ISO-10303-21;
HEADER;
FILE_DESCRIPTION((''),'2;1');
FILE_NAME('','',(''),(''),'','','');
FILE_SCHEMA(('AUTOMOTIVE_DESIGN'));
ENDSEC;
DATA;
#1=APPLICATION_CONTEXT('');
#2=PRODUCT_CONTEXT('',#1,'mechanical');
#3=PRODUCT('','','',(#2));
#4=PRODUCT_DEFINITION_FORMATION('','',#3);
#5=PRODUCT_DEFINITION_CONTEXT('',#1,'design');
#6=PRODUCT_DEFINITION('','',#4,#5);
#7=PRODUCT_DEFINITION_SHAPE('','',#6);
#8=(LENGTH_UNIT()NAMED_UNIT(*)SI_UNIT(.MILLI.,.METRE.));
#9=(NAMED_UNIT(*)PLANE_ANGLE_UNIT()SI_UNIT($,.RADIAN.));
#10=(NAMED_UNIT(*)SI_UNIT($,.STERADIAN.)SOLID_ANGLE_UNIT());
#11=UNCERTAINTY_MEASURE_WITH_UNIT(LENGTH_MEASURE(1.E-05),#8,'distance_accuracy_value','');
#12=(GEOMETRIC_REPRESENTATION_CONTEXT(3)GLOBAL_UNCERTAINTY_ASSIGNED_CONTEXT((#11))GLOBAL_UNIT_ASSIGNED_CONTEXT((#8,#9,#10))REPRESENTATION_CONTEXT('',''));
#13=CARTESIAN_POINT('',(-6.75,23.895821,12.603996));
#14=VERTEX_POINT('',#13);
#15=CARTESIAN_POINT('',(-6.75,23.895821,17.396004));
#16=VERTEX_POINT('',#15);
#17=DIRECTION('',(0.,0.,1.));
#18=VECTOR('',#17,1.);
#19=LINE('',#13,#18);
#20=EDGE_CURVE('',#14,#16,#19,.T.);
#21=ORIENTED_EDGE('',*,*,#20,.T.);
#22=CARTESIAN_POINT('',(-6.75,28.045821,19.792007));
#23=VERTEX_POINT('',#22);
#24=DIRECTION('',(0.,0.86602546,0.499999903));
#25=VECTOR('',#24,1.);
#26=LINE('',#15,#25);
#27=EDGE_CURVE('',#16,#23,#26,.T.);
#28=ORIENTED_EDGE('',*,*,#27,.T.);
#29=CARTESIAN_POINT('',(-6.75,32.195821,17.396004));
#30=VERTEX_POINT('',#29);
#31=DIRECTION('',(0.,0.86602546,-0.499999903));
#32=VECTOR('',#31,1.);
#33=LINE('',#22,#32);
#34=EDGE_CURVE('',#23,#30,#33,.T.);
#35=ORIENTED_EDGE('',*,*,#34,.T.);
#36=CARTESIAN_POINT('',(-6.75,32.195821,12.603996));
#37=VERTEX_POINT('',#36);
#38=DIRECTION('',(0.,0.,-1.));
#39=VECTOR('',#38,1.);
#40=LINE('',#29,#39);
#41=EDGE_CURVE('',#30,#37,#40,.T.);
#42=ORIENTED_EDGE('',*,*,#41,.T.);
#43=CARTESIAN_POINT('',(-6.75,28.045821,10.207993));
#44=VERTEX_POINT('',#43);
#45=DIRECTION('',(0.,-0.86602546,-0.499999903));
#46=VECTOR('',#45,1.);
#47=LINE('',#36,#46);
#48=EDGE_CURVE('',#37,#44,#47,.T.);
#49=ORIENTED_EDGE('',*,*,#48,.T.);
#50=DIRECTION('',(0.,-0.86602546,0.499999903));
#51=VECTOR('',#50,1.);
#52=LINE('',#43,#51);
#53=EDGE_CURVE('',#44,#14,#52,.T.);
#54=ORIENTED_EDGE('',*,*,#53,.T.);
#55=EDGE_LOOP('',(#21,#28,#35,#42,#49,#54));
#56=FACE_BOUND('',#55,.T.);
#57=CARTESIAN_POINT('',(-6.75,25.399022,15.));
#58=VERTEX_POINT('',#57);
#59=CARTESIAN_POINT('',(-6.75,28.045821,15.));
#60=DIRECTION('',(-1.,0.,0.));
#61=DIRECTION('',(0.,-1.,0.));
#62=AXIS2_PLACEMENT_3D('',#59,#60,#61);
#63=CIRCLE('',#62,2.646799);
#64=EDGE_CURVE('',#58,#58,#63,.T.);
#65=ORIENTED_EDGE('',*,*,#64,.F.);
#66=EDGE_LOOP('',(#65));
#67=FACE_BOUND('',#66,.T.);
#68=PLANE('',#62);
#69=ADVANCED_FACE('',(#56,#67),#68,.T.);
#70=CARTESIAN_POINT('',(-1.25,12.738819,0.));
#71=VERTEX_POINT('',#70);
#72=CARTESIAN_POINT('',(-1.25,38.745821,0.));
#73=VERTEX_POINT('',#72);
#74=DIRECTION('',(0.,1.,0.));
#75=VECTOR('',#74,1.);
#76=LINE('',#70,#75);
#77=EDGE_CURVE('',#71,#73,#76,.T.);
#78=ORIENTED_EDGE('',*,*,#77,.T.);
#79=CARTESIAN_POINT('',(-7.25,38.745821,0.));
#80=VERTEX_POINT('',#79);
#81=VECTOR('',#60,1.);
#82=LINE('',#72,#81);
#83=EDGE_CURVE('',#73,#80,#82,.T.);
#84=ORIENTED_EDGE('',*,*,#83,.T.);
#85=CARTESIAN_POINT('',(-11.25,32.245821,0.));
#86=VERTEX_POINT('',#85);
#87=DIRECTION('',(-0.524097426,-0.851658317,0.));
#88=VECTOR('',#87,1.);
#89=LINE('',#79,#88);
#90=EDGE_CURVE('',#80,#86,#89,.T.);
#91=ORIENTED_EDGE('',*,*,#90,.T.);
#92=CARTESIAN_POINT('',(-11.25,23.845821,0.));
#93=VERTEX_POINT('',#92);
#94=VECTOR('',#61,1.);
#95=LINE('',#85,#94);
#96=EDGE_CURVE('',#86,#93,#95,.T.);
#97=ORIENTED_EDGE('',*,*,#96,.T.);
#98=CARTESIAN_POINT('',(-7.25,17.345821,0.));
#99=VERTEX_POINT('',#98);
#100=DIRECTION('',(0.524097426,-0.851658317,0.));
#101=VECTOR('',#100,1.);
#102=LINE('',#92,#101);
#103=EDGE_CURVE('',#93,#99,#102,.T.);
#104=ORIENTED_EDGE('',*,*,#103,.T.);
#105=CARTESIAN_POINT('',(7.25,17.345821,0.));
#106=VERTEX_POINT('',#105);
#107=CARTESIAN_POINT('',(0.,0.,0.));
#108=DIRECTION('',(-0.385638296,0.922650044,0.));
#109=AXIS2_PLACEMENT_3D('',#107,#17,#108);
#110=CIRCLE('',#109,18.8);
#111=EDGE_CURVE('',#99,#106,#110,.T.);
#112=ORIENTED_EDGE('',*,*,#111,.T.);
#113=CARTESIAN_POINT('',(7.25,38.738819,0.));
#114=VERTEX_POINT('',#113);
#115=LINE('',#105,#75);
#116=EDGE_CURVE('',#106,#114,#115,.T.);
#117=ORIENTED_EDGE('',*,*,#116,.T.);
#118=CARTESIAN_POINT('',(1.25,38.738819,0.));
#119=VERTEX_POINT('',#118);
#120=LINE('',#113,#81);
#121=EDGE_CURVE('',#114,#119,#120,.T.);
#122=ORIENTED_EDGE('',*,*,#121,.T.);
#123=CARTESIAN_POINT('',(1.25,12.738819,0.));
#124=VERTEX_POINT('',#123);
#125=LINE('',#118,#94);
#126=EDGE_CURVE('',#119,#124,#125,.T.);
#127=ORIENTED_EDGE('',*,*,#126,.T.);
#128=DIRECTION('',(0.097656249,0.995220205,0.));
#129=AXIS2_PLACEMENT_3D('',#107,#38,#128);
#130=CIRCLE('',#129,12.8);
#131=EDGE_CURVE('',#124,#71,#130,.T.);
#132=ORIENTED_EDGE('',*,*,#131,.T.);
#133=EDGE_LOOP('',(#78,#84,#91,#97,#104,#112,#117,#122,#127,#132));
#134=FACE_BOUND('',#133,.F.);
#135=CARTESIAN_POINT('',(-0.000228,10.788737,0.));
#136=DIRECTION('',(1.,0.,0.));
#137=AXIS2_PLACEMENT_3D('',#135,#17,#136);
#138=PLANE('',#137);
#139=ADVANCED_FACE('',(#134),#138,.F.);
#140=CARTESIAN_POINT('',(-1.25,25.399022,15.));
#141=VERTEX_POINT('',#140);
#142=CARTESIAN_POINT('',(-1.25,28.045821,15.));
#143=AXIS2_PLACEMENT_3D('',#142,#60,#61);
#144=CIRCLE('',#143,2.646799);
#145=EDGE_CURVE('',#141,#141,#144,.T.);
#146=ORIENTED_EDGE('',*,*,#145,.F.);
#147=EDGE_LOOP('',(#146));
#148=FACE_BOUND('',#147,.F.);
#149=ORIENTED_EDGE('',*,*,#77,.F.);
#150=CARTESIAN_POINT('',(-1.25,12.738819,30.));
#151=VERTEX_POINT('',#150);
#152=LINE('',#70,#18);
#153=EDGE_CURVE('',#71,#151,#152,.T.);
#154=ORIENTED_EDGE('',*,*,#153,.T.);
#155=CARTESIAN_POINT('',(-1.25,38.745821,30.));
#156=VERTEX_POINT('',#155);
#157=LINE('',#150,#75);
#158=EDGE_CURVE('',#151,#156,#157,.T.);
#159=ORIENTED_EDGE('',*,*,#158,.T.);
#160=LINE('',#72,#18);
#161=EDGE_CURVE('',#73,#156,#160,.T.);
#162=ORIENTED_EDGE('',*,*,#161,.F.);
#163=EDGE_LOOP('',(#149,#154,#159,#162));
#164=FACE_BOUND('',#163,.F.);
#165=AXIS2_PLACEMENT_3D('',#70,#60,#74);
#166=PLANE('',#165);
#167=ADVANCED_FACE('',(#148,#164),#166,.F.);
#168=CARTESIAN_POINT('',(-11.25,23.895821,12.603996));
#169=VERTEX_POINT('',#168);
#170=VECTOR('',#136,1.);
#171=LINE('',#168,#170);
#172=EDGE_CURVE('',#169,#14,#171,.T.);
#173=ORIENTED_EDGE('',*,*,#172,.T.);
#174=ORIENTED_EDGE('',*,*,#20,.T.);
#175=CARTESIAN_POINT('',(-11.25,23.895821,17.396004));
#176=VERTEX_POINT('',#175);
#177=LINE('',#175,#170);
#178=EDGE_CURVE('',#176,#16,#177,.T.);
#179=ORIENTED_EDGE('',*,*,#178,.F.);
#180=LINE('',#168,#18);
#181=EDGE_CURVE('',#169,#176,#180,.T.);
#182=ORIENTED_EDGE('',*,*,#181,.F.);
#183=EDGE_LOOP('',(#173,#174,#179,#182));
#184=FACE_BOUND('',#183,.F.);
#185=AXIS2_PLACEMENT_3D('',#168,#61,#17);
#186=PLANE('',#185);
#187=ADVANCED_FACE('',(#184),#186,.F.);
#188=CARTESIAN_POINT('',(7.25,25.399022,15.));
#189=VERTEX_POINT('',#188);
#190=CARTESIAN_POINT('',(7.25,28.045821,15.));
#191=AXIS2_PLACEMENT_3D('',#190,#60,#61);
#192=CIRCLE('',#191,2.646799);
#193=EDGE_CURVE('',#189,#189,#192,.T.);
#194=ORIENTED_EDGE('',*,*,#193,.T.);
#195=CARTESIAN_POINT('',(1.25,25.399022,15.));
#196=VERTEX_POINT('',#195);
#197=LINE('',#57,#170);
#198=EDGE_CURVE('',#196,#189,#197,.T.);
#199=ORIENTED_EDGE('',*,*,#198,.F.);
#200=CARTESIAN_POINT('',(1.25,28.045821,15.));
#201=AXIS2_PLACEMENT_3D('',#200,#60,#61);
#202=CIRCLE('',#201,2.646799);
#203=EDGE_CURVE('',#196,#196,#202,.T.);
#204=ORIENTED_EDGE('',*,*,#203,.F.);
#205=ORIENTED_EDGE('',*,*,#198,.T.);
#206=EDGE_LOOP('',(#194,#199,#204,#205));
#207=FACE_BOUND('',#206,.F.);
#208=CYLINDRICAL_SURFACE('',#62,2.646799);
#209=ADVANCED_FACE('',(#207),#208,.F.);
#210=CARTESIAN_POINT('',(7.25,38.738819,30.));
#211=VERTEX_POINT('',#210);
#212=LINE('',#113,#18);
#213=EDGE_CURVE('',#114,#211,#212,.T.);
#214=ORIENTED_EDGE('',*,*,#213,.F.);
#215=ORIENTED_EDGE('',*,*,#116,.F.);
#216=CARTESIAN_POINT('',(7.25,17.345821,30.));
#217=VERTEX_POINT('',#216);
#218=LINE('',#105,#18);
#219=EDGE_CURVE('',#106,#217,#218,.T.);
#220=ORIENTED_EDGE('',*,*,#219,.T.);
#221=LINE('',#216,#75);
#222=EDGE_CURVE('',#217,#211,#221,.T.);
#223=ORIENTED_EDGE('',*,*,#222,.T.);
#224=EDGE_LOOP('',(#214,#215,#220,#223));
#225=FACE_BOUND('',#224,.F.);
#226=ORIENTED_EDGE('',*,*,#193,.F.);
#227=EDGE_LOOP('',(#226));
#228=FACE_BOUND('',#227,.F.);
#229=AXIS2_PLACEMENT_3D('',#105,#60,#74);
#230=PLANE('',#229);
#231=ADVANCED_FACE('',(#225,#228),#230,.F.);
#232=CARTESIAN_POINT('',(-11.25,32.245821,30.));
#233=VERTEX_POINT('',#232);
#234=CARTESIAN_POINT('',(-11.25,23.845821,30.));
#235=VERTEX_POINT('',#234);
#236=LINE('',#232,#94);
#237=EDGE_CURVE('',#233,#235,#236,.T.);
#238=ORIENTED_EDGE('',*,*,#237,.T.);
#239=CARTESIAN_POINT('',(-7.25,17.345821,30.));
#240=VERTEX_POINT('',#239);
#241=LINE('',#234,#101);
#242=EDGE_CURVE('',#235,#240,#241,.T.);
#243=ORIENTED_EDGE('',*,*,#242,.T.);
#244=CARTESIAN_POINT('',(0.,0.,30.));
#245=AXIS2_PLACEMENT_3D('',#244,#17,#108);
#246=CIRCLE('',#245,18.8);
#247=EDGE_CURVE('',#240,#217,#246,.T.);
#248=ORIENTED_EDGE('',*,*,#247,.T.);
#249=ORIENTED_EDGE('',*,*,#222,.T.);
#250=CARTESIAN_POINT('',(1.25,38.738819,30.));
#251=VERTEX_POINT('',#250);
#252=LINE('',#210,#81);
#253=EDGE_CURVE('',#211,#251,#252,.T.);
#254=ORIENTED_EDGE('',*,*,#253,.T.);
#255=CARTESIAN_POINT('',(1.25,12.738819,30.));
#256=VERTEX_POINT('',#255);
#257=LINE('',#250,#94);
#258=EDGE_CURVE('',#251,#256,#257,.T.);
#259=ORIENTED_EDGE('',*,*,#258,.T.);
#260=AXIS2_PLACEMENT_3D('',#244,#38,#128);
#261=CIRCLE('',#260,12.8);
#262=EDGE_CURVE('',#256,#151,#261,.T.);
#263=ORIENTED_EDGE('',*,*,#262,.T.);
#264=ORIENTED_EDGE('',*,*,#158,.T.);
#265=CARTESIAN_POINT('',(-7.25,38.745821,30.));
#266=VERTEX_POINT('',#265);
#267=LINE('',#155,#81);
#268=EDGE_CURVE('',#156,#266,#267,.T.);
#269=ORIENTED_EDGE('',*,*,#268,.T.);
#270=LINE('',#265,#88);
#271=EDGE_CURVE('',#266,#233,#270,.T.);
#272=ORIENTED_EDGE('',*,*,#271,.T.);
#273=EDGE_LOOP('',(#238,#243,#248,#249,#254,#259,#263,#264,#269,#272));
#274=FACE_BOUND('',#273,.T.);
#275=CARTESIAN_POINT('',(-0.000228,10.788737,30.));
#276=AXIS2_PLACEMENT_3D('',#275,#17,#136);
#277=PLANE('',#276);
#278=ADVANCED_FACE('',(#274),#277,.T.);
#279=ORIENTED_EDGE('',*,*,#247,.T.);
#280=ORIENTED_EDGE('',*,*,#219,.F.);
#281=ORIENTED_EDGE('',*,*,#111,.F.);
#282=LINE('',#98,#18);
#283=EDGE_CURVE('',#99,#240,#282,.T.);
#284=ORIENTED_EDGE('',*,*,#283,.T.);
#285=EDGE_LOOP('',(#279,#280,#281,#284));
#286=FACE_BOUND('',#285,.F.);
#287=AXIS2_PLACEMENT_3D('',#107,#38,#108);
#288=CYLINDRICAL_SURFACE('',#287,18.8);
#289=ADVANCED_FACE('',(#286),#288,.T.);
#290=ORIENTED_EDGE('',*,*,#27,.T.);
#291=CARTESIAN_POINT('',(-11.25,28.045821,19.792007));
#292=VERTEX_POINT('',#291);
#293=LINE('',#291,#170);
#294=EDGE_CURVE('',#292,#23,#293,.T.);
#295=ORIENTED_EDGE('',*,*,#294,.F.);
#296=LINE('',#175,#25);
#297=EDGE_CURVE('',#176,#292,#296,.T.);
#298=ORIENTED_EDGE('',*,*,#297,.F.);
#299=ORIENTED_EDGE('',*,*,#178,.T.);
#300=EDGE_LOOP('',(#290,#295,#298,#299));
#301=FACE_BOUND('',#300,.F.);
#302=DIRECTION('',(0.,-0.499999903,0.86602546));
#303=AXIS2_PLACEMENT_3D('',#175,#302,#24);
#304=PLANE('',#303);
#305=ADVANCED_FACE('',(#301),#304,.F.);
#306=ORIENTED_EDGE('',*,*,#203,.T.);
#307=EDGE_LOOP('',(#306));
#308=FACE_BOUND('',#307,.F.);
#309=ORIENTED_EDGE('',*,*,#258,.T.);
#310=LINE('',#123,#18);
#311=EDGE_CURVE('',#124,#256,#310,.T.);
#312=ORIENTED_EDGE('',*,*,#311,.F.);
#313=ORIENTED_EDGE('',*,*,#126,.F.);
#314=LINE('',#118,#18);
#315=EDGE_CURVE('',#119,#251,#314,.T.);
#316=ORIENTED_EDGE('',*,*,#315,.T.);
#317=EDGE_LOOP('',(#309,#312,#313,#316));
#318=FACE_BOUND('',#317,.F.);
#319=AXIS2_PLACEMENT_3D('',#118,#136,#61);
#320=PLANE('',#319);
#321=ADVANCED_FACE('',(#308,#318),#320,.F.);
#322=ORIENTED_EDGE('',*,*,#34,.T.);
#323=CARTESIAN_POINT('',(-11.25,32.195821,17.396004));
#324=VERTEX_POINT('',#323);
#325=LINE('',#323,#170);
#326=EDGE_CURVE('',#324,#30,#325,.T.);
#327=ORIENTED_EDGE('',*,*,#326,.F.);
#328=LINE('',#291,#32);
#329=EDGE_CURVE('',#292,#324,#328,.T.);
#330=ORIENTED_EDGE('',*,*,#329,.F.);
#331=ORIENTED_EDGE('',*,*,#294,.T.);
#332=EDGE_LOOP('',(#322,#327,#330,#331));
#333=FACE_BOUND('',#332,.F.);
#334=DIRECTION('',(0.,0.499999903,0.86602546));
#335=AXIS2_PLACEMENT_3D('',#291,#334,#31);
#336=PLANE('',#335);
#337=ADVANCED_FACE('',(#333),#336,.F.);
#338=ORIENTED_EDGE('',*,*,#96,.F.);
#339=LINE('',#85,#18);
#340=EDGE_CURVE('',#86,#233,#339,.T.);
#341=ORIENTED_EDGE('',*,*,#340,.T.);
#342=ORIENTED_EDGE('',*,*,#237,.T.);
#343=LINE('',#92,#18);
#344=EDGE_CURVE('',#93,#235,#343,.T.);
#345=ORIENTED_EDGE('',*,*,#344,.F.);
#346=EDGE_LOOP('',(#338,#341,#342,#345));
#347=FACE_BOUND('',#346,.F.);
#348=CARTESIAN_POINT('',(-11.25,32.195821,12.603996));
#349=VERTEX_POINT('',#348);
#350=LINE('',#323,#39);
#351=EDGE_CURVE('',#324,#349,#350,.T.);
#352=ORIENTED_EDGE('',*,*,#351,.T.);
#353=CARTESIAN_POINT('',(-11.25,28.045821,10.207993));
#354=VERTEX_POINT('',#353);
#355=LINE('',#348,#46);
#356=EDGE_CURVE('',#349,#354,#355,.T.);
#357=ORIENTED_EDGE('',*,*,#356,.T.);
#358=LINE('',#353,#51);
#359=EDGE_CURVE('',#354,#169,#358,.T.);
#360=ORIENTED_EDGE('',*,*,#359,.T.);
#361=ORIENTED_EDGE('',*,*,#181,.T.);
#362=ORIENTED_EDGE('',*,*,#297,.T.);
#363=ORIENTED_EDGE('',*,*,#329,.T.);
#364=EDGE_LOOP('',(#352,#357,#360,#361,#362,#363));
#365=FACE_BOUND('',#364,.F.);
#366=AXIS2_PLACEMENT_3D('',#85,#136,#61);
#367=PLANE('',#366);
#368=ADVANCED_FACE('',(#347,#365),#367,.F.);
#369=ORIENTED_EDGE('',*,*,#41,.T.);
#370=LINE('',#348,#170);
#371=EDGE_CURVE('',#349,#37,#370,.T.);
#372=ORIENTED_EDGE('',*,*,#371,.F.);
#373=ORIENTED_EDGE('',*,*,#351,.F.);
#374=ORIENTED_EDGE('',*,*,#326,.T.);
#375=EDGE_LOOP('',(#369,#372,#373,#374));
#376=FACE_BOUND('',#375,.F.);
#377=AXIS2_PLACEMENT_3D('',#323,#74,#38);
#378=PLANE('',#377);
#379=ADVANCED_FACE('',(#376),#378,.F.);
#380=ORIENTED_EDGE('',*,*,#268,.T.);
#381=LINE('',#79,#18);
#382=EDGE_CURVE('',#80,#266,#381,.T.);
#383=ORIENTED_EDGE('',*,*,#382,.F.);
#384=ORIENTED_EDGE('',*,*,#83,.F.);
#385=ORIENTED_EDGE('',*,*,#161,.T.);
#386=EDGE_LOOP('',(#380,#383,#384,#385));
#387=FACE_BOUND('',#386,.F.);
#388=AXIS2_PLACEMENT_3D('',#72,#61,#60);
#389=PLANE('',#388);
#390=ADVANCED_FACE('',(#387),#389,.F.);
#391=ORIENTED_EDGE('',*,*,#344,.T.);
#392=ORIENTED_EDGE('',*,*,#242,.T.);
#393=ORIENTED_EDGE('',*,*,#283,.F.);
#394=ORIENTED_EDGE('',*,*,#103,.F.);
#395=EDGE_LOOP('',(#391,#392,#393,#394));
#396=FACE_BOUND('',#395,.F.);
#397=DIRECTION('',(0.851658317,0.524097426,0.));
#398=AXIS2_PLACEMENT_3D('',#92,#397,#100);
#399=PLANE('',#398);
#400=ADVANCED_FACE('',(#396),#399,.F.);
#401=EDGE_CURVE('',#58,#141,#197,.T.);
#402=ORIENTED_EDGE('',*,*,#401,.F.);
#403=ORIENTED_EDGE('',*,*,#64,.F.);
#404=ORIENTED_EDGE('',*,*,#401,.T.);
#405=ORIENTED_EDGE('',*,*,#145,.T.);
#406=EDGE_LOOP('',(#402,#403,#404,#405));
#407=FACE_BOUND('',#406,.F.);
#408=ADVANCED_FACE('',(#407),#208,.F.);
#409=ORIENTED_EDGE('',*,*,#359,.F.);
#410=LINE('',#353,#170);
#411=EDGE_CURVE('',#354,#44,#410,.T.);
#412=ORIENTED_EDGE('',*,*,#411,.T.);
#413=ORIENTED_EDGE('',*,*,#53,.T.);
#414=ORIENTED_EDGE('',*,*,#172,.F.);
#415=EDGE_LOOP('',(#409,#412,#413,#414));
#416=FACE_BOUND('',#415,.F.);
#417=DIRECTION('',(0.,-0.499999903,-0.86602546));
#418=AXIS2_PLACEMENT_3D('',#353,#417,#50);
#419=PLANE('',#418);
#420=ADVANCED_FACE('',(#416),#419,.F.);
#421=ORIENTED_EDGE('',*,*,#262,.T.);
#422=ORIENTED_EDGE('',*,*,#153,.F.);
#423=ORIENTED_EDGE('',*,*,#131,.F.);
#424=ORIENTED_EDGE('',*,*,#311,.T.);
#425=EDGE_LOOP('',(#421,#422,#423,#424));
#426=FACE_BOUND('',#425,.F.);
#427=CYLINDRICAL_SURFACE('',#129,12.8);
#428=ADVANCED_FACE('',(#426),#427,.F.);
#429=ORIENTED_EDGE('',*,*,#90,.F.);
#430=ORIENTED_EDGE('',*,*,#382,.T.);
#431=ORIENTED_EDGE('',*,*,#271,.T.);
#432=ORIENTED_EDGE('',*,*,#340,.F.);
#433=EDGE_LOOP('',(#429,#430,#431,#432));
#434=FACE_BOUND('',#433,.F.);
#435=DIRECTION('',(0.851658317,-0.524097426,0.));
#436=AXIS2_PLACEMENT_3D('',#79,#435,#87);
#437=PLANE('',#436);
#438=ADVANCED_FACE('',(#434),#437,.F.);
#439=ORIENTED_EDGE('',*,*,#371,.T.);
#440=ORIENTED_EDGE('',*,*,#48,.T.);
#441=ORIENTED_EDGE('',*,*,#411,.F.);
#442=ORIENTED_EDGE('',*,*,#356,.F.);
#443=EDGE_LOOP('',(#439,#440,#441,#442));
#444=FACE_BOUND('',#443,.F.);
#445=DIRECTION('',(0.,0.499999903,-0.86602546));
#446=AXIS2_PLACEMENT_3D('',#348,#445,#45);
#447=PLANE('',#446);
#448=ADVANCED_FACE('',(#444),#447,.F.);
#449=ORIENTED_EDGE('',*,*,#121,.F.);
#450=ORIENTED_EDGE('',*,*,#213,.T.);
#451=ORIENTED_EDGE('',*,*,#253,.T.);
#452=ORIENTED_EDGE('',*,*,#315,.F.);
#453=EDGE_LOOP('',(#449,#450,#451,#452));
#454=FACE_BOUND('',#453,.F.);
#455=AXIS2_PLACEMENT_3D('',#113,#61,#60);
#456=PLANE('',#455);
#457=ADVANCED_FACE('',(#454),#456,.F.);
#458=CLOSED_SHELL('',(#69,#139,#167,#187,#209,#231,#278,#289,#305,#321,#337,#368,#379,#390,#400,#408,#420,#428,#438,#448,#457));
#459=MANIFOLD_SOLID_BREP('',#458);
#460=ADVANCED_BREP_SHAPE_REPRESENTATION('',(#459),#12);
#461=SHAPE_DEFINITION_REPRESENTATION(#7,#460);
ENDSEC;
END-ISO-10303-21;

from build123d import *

# Parameters (mm, degrees)
F1_DEPTH = 30
F3_DEPTH = 4.5
F4_R     = 2.646799
F5_DEPTH = 25.551


with BuildPart() as f1:
    # F0 (on Top) → F1 (new body)
    with BuildSketch(Plane.XY):
        with BuildLine():
            ThreePointArc((1.25, 12.738819), (0, -12.8), (-1.25, 12.738819))
            Line((-1.25, 12.738819), (-1.25, 38.745821))
            Line((-1.25, 38.745821), (-7.25, 38.745821))
            Line((-7.25, 38.745821), (-7.25, 17.345821))
            ThreePointArc((-7.25, 17.345821), (0, -18.8), (7.25, 17.345821))
            Line((7.25, 17.345821), (7.25, 38.738819))
            Line((7.25, 38.738819), (1.25, 38.738819))
            Line((1.25, 38.738819), (1.25, 12.738819))
        make_face()
        Polygon((-7.25, 17.345821), (-7.25, 38.745821), (-11.25, 32.245821), (-11.25, 23.845821), align=None)
    extrude(amount=F1_DEPTH)

    # F2 (on face) → F3 (cut)
    with BuildSketch(Plane(origin=(-11.25, 0, 0), x_dir=(0, -1, 0), z_dir=(-1, 0, 0))):
        Polygon((-32.195821, 17.396004), (-32.195821, 12.603996), (-28.045821, 10.207993), (-23.895821, 12.603996), (-23.895821, 17.396004), (-28.045821, 19.792007), align=None)
    extrude(amount=-F3_DEPTH, mode=Mode.SUBTRACT)

    # F4 (on face) → F5 (cut, through all)
    with BuildSketch(Plane(origin=(-6.75, 0, 0), x_dir=(0, -1, 0), z_dir=(-1, 0, 0))):
        with Locations((-28.045821, 15)):
            Circle(F4_R)
    extrude(amount=-F5_DEPTH, mode=Mode.SUBTRACT)


solid = f1.part
